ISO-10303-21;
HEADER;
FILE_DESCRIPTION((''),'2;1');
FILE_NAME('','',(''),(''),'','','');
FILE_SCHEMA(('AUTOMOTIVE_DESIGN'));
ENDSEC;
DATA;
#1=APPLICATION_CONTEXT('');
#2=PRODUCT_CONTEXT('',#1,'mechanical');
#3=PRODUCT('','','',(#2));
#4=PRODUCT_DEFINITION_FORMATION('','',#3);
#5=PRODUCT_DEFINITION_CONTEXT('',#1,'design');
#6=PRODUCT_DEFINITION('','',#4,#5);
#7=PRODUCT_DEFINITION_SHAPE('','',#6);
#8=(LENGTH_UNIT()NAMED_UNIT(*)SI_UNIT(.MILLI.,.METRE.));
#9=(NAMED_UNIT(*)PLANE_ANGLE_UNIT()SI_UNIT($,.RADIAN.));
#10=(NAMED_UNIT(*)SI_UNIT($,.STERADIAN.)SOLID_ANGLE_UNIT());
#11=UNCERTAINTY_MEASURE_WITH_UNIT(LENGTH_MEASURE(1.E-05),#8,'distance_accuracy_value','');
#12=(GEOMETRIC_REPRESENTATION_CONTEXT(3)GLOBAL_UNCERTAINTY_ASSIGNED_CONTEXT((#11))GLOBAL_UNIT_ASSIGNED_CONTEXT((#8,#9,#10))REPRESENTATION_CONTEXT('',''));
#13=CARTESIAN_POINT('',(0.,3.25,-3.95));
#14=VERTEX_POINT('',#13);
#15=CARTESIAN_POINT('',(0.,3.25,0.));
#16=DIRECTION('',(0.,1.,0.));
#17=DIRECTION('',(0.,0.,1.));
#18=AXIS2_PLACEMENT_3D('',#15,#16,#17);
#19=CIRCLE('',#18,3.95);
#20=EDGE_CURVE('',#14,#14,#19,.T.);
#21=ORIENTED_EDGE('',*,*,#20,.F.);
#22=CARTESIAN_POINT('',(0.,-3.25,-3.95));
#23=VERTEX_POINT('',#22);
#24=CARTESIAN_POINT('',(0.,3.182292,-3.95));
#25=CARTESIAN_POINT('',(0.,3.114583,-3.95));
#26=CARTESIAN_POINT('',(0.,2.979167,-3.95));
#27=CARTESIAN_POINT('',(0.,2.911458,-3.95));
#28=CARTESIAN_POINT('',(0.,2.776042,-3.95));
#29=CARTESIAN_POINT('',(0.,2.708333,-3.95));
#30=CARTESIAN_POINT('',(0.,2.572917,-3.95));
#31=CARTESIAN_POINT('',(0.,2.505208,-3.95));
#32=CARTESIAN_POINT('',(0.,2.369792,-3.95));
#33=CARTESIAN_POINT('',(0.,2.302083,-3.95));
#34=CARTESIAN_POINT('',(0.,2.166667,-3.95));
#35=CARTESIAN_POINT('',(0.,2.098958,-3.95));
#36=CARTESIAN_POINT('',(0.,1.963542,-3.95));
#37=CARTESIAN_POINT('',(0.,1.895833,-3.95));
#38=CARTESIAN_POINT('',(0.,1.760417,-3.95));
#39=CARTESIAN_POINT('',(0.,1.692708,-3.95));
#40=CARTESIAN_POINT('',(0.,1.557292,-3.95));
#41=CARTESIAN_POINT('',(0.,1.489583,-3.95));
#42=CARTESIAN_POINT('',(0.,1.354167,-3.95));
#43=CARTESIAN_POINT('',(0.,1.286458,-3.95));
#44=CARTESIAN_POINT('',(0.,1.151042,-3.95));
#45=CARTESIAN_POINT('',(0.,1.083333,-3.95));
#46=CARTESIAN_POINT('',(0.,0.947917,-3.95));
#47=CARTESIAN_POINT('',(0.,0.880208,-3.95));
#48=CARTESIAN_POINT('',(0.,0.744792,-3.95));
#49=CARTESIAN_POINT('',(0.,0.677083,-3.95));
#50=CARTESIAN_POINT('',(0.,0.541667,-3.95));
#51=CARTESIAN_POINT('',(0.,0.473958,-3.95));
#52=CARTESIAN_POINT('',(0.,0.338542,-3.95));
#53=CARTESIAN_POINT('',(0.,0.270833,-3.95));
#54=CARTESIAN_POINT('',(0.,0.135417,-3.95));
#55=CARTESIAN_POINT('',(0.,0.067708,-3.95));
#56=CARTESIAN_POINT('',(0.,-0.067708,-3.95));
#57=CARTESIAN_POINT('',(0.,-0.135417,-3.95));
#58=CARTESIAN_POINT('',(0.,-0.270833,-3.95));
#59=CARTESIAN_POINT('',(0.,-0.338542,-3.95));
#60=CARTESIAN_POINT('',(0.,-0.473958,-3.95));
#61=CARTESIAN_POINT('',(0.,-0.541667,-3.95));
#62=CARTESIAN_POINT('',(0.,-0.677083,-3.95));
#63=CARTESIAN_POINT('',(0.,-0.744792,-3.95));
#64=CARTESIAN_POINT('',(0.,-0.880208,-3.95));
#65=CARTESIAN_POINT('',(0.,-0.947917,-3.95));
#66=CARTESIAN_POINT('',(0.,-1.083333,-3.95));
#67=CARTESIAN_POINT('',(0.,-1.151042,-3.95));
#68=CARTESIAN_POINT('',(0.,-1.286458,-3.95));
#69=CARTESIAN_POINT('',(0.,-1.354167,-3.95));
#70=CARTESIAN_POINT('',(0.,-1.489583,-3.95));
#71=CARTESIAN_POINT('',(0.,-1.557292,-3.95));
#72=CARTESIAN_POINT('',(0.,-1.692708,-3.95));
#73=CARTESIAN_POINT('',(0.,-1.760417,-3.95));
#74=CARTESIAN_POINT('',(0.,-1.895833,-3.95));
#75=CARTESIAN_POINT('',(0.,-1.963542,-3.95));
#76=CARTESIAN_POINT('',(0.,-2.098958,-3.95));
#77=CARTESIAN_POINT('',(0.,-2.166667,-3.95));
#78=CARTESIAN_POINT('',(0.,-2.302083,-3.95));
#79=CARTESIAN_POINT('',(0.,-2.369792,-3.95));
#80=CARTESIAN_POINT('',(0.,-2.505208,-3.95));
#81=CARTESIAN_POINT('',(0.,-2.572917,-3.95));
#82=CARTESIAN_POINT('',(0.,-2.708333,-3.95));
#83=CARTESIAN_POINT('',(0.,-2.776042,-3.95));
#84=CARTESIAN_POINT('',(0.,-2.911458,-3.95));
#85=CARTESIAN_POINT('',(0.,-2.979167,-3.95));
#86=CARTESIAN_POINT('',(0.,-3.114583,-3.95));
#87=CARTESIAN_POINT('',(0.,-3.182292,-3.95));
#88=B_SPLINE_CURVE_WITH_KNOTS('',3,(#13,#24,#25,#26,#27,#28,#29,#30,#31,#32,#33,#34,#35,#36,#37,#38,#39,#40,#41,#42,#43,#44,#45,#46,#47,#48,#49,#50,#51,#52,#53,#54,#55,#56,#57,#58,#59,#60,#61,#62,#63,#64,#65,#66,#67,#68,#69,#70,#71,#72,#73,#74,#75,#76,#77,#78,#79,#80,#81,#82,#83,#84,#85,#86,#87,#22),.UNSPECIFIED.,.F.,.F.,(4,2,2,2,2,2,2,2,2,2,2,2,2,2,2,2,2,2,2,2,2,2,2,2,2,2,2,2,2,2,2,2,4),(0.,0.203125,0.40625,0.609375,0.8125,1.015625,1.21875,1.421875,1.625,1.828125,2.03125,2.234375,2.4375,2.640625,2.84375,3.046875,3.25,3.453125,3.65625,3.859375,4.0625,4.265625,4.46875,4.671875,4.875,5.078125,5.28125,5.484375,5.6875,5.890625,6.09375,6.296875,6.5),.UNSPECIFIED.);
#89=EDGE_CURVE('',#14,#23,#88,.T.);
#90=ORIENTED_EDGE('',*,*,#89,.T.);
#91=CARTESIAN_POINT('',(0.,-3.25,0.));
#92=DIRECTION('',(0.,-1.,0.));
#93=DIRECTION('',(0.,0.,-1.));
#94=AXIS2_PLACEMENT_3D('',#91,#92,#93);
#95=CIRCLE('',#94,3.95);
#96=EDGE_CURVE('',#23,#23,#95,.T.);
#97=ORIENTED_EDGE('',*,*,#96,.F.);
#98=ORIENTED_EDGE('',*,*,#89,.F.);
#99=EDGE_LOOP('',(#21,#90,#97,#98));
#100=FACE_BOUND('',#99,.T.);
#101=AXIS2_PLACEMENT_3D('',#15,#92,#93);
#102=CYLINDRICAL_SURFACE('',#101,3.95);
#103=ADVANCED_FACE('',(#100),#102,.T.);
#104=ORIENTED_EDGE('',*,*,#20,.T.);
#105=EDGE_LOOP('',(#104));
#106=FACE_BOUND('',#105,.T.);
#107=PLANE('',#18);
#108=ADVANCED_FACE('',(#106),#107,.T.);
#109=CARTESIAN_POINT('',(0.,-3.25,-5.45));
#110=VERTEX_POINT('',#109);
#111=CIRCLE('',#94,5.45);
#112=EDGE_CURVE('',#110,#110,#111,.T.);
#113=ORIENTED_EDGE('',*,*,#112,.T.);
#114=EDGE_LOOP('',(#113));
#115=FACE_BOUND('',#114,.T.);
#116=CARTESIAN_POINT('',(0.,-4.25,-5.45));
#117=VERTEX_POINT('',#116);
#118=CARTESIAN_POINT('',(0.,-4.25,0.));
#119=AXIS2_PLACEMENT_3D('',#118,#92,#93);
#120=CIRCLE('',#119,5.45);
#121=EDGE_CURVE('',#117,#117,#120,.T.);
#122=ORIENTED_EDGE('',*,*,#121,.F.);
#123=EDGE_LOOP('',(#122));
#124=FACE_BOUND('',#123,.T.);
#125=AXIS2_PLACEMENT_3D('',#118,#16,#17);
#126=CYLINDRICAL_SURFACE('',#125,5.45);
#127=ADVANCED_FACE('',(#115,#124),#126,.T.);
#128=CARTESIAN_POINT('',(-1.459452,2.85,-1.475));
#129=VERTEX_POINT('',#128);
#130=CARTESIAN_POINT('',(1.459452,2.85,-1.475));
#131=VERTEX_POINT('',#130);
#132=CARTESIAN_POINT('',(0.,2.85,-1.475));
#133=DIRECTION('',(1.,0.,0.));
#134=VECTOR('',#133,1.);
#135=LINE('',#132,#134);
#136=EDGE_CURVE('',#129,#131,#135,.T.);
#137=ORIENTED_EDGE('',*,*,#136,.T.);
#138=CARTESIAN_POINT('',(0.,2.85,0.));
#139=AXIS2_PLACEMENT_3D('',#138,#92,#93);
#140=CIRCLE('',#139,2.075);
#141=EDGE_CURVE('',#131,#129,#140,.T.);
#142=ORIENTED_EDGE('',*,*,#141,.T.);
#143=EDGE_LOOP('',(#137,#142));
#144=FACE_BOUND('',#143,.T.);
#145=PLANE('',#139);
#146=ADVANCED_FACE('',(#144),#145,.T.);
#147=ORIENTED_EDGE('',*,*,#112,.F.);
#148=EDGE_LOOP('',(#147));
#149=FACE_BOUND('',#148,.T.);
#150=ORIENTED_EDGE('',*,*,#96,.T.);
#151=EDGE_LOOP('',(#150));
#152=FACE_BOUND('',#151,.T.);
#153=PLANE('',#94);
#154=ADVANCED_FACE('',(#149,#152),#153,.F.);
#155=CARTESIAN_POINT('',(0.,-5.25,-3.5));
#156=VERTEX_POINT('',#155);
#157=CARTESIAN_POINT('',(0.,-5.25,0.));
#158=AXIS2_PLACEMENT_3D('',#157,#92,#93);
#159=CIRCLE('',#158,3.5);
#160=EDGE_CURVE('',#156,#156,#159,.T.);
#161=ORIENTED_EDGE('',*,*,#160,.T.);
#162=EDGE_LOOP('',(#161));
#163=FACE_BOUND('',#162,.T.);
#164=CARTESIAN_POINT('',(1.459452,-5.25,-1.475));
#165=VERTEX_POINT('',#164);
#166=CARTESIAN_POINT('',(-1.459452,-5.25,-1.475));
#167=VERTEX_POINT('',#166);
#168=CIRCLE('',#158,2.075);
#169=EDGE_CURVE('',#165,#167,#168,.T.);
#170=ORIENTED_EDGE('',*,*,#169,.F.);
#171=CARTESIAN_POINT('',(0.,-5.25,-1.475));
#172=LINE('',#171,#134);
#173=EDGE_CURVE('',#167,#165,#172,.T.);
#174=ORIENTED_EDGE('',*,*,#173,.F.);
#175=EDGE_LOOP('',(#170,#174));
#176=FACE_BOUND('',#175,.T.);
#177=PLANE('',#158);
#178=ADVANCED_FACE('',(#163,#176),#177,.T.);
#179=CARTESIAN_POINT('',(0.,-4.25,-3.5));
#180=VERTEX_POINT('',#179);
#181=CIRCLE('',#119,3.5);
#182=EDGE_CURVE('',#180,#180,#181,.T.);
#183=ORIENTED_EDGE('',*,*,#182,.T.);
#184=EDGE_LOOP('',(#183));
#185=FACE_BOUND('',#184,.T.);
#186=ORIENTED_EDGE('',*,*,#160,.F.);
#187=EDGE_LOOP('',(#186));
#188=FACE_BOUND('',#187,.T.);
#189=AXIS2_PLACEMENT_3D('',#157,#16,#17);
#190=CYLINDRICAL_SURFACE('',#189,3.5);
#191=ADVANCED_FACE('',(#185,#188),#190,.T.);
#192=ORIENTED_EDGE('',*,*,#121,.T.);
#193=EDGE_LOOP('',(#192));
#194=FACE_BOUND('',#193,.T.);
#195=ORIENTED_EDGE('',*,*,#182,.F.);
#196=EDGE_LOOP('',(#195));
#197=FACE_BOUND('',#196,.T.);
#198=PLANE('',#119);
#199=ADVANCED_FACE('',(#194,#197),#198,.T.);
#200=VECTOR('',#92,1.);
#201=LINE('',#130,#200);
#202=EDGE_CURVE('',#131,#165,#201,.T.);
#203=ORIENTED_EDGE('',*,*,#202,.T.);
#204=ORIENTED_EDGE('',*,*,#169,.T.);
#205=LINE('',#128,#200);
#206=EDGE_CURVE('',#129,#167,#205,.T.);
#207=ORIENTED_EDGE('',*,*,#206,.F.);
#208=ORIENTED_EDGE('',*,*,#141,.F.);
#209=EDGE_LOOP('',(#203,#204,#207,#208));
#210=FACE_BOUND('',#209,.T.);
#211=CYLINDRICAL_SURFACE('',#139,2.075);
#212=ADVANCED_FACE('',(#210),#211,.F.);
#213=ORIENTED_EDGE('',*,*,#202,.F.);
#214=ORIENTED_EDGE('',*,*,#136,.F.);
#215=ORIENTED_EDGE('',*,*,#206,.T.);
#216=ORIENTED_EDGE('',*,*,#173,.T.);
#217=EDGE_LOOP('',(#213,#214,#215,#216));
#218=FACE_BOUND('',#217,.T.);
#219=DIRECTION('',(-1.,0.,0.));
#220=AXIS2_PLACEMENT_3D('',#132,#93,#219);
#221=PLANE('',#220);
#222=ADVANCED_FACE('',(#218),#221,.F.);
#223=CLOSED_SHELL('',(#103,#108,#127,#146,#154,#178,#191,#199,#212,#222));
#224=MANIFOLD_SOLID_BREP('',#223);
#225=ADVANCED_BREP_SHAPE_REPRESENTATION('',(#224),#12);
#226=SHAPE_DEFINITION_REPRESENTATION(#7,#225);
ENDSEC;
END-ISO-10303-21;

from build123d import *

# Parameters (mm, degrees)
SKETCH2_R           = 3.95
BOSS_EXTRUDE1_DEPTH = 3.25
SKETCH5_R           = 3.5
BOSS_EXTRUDE4_DEPTH = 2
SKETCH7_R           = 5.45
BOSS_EXTRUDE5_DEPTH = 1
CUT_EXTRUDE1_DEPTH  = 8.1


with BuildPart() as part:
    # Sketch2 → Boss-Extrude1 (new, symmetric)
    with BuildSketch(Plane(origin=(0, 0, 0), x_dir=(1, 0, 0), z_dir=(0, 1, 0))):
        with Locations(Location((0, 0, 0), (0, 0, 90))):
            Circle(SKETCH2_R)
    extrude(amount=BOSS_EXTRUDE1_DEPTH, both=True)

    # Sketch5 → Boss-Extrude4 (add)
    with BuildSketch(Plane.XZ.offset(3.25)):
        with Locations(Location((0, 0, 0), (0, 0, 90))):
            Circle(SKETCH5_R)
    extrude(amount=BOSS_EXTRUDE4_DEPTH)

    # Sketch7 → Boss-Extrude5 (add)
    with BuildSketch(Plane.XZ.offset(3.25)):
        with Locations(Location((0, 0, 0), (0, 0, 270))):
            Circle(SKETCH7_R)
    extrude(amount=BOSS_EXTRUDE5_DEPTH)

    # Sketch6 → Cut-Extrude1 (cut)
    with BuildSketch(Plane.XZ.offset(5.25)):
        with BuildLine():
            ThreePointArc((2.075, 0), (-0.799143979, 1.91493966), (-1.459451952, -1.475))
            Line((-1.459451952, -1.475), (1.459451952, -1.475))
            ThreePointArc((1.459451952, -1.475), (1.91493966, -0.799143979), (2.075, 0))
        make_face()
    extrude(amount=-CUT_EXTRUDE1_DEPTH, mode=Mode.SUBTRACT)


solid = part.part
